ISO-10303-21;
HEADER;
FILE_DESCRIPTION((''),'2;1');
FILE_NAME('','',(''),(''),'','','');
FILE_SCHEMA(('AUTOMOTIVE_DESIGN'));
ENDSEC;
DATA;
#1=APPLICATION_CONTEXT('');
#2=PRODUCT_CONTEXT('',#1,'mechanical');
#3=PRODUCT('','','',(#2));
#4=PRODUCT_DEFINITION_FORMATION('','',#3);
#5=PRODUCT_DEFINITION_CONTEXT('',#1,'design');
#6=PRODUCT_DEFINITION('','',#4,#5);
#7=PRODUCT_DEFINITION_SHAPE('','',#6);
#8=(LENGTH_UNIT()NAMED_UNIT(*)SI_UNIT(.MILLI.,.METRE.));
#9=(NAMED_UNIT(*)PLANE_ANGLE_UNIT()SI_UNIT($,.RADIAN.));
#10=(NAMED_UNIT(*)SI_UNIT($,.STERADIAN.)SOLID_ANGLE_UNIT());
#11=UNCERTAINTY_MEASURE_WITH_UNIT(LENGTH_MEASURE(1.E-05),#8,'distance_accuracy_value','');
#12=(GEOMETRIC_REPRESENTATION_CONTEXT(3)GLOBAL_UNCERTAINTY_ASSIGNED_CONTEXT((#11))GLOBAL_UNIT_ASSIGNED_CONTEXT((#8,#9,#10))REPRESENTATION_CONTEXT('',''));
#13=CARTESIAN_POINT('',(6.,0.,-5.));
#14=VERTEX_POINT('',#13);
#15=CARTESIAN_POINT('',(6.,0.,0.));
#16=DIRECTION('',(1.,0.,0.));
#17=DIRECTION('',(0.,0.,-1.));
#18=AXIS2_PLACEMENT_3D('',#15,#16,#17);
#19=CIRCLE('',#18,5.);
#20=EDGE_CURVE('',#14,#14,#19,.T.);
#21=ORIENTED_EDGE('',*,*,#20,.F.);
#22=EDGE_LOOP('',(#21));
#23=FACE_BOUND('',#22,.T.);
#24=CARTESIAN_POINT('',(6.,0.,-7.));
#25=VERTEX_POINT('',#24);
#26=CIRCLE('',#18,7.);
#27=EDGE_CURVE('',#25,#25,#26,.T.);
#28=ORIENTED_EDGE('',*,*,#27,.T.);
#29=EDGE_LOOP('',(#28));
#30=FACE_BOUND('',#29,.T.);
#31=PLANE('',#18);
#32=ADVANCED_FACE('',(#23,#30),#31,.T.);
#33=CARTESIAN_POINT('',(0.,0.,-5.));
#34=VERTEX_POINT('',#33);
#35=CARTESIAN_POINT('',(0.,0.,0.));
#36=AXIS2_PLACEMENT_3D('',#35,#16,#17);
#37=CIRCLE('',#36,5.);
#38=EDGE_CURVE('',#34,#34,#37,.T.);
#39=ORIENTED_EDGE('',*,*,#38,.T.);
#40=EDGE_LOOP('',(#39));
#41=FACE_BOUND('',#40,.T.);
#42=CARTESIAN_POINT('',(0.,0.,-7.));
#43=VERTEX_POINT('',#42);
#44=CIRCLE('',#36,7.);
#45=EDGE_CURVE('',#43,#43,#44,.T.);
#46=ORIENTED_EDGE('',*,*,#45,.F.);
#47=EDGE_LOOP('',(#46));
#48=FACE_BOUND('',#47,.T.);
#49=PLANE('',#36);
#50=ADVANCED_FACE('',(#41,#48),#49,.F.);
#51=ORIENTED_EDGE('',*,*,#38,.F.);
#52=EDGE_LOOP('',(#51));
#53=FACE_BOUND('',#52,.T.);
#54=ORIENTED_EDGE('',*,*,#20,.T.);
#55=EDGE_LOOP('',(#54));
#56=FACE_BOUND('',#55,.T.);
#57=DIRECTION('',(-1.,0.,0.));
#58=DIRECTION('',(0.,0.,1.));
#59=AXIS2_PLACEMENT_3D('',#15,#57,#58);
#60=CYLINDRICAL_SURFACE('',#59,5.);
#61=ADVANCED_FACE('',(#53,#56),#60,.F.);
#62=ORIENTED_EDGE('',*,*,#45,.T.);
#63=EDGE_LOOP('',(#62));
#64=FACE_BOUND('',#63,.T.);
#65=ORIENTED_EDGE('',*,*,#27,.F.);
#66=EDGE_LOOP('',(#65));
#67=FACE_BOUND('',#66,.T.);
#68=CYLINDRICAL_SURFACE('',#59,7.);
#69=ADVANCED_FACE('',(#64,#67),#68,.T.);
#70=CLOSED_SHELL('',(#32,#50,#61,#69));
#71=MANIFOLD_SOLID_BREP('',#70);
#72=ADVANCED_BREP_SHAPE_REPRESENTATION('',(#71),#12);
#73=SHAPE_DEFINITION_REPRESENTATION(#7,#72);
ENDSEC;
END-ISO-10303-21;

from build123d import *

# Parameters (mm, degrees)
SKETCH_1_R      = 7
SKETCH_1_R_2    = 5
EXTRUDE_1_DEPTH = 6


with BuildPart() as part:
    # 草图1 → 凸台-拉伸1 (new body)
    with BuildSketch(Plane(origin=(0, 0, 0), x_dir=(0, 0, -1), z_dir=(1, 0, 0))):
        Circle(SKETCH_1_R)
        Circle(SKETCH_1_R_2, mode=Mode.SUBTRACT)
    extrude(amount=EXTRUDE_1_DEPTH)


solid = part.part
